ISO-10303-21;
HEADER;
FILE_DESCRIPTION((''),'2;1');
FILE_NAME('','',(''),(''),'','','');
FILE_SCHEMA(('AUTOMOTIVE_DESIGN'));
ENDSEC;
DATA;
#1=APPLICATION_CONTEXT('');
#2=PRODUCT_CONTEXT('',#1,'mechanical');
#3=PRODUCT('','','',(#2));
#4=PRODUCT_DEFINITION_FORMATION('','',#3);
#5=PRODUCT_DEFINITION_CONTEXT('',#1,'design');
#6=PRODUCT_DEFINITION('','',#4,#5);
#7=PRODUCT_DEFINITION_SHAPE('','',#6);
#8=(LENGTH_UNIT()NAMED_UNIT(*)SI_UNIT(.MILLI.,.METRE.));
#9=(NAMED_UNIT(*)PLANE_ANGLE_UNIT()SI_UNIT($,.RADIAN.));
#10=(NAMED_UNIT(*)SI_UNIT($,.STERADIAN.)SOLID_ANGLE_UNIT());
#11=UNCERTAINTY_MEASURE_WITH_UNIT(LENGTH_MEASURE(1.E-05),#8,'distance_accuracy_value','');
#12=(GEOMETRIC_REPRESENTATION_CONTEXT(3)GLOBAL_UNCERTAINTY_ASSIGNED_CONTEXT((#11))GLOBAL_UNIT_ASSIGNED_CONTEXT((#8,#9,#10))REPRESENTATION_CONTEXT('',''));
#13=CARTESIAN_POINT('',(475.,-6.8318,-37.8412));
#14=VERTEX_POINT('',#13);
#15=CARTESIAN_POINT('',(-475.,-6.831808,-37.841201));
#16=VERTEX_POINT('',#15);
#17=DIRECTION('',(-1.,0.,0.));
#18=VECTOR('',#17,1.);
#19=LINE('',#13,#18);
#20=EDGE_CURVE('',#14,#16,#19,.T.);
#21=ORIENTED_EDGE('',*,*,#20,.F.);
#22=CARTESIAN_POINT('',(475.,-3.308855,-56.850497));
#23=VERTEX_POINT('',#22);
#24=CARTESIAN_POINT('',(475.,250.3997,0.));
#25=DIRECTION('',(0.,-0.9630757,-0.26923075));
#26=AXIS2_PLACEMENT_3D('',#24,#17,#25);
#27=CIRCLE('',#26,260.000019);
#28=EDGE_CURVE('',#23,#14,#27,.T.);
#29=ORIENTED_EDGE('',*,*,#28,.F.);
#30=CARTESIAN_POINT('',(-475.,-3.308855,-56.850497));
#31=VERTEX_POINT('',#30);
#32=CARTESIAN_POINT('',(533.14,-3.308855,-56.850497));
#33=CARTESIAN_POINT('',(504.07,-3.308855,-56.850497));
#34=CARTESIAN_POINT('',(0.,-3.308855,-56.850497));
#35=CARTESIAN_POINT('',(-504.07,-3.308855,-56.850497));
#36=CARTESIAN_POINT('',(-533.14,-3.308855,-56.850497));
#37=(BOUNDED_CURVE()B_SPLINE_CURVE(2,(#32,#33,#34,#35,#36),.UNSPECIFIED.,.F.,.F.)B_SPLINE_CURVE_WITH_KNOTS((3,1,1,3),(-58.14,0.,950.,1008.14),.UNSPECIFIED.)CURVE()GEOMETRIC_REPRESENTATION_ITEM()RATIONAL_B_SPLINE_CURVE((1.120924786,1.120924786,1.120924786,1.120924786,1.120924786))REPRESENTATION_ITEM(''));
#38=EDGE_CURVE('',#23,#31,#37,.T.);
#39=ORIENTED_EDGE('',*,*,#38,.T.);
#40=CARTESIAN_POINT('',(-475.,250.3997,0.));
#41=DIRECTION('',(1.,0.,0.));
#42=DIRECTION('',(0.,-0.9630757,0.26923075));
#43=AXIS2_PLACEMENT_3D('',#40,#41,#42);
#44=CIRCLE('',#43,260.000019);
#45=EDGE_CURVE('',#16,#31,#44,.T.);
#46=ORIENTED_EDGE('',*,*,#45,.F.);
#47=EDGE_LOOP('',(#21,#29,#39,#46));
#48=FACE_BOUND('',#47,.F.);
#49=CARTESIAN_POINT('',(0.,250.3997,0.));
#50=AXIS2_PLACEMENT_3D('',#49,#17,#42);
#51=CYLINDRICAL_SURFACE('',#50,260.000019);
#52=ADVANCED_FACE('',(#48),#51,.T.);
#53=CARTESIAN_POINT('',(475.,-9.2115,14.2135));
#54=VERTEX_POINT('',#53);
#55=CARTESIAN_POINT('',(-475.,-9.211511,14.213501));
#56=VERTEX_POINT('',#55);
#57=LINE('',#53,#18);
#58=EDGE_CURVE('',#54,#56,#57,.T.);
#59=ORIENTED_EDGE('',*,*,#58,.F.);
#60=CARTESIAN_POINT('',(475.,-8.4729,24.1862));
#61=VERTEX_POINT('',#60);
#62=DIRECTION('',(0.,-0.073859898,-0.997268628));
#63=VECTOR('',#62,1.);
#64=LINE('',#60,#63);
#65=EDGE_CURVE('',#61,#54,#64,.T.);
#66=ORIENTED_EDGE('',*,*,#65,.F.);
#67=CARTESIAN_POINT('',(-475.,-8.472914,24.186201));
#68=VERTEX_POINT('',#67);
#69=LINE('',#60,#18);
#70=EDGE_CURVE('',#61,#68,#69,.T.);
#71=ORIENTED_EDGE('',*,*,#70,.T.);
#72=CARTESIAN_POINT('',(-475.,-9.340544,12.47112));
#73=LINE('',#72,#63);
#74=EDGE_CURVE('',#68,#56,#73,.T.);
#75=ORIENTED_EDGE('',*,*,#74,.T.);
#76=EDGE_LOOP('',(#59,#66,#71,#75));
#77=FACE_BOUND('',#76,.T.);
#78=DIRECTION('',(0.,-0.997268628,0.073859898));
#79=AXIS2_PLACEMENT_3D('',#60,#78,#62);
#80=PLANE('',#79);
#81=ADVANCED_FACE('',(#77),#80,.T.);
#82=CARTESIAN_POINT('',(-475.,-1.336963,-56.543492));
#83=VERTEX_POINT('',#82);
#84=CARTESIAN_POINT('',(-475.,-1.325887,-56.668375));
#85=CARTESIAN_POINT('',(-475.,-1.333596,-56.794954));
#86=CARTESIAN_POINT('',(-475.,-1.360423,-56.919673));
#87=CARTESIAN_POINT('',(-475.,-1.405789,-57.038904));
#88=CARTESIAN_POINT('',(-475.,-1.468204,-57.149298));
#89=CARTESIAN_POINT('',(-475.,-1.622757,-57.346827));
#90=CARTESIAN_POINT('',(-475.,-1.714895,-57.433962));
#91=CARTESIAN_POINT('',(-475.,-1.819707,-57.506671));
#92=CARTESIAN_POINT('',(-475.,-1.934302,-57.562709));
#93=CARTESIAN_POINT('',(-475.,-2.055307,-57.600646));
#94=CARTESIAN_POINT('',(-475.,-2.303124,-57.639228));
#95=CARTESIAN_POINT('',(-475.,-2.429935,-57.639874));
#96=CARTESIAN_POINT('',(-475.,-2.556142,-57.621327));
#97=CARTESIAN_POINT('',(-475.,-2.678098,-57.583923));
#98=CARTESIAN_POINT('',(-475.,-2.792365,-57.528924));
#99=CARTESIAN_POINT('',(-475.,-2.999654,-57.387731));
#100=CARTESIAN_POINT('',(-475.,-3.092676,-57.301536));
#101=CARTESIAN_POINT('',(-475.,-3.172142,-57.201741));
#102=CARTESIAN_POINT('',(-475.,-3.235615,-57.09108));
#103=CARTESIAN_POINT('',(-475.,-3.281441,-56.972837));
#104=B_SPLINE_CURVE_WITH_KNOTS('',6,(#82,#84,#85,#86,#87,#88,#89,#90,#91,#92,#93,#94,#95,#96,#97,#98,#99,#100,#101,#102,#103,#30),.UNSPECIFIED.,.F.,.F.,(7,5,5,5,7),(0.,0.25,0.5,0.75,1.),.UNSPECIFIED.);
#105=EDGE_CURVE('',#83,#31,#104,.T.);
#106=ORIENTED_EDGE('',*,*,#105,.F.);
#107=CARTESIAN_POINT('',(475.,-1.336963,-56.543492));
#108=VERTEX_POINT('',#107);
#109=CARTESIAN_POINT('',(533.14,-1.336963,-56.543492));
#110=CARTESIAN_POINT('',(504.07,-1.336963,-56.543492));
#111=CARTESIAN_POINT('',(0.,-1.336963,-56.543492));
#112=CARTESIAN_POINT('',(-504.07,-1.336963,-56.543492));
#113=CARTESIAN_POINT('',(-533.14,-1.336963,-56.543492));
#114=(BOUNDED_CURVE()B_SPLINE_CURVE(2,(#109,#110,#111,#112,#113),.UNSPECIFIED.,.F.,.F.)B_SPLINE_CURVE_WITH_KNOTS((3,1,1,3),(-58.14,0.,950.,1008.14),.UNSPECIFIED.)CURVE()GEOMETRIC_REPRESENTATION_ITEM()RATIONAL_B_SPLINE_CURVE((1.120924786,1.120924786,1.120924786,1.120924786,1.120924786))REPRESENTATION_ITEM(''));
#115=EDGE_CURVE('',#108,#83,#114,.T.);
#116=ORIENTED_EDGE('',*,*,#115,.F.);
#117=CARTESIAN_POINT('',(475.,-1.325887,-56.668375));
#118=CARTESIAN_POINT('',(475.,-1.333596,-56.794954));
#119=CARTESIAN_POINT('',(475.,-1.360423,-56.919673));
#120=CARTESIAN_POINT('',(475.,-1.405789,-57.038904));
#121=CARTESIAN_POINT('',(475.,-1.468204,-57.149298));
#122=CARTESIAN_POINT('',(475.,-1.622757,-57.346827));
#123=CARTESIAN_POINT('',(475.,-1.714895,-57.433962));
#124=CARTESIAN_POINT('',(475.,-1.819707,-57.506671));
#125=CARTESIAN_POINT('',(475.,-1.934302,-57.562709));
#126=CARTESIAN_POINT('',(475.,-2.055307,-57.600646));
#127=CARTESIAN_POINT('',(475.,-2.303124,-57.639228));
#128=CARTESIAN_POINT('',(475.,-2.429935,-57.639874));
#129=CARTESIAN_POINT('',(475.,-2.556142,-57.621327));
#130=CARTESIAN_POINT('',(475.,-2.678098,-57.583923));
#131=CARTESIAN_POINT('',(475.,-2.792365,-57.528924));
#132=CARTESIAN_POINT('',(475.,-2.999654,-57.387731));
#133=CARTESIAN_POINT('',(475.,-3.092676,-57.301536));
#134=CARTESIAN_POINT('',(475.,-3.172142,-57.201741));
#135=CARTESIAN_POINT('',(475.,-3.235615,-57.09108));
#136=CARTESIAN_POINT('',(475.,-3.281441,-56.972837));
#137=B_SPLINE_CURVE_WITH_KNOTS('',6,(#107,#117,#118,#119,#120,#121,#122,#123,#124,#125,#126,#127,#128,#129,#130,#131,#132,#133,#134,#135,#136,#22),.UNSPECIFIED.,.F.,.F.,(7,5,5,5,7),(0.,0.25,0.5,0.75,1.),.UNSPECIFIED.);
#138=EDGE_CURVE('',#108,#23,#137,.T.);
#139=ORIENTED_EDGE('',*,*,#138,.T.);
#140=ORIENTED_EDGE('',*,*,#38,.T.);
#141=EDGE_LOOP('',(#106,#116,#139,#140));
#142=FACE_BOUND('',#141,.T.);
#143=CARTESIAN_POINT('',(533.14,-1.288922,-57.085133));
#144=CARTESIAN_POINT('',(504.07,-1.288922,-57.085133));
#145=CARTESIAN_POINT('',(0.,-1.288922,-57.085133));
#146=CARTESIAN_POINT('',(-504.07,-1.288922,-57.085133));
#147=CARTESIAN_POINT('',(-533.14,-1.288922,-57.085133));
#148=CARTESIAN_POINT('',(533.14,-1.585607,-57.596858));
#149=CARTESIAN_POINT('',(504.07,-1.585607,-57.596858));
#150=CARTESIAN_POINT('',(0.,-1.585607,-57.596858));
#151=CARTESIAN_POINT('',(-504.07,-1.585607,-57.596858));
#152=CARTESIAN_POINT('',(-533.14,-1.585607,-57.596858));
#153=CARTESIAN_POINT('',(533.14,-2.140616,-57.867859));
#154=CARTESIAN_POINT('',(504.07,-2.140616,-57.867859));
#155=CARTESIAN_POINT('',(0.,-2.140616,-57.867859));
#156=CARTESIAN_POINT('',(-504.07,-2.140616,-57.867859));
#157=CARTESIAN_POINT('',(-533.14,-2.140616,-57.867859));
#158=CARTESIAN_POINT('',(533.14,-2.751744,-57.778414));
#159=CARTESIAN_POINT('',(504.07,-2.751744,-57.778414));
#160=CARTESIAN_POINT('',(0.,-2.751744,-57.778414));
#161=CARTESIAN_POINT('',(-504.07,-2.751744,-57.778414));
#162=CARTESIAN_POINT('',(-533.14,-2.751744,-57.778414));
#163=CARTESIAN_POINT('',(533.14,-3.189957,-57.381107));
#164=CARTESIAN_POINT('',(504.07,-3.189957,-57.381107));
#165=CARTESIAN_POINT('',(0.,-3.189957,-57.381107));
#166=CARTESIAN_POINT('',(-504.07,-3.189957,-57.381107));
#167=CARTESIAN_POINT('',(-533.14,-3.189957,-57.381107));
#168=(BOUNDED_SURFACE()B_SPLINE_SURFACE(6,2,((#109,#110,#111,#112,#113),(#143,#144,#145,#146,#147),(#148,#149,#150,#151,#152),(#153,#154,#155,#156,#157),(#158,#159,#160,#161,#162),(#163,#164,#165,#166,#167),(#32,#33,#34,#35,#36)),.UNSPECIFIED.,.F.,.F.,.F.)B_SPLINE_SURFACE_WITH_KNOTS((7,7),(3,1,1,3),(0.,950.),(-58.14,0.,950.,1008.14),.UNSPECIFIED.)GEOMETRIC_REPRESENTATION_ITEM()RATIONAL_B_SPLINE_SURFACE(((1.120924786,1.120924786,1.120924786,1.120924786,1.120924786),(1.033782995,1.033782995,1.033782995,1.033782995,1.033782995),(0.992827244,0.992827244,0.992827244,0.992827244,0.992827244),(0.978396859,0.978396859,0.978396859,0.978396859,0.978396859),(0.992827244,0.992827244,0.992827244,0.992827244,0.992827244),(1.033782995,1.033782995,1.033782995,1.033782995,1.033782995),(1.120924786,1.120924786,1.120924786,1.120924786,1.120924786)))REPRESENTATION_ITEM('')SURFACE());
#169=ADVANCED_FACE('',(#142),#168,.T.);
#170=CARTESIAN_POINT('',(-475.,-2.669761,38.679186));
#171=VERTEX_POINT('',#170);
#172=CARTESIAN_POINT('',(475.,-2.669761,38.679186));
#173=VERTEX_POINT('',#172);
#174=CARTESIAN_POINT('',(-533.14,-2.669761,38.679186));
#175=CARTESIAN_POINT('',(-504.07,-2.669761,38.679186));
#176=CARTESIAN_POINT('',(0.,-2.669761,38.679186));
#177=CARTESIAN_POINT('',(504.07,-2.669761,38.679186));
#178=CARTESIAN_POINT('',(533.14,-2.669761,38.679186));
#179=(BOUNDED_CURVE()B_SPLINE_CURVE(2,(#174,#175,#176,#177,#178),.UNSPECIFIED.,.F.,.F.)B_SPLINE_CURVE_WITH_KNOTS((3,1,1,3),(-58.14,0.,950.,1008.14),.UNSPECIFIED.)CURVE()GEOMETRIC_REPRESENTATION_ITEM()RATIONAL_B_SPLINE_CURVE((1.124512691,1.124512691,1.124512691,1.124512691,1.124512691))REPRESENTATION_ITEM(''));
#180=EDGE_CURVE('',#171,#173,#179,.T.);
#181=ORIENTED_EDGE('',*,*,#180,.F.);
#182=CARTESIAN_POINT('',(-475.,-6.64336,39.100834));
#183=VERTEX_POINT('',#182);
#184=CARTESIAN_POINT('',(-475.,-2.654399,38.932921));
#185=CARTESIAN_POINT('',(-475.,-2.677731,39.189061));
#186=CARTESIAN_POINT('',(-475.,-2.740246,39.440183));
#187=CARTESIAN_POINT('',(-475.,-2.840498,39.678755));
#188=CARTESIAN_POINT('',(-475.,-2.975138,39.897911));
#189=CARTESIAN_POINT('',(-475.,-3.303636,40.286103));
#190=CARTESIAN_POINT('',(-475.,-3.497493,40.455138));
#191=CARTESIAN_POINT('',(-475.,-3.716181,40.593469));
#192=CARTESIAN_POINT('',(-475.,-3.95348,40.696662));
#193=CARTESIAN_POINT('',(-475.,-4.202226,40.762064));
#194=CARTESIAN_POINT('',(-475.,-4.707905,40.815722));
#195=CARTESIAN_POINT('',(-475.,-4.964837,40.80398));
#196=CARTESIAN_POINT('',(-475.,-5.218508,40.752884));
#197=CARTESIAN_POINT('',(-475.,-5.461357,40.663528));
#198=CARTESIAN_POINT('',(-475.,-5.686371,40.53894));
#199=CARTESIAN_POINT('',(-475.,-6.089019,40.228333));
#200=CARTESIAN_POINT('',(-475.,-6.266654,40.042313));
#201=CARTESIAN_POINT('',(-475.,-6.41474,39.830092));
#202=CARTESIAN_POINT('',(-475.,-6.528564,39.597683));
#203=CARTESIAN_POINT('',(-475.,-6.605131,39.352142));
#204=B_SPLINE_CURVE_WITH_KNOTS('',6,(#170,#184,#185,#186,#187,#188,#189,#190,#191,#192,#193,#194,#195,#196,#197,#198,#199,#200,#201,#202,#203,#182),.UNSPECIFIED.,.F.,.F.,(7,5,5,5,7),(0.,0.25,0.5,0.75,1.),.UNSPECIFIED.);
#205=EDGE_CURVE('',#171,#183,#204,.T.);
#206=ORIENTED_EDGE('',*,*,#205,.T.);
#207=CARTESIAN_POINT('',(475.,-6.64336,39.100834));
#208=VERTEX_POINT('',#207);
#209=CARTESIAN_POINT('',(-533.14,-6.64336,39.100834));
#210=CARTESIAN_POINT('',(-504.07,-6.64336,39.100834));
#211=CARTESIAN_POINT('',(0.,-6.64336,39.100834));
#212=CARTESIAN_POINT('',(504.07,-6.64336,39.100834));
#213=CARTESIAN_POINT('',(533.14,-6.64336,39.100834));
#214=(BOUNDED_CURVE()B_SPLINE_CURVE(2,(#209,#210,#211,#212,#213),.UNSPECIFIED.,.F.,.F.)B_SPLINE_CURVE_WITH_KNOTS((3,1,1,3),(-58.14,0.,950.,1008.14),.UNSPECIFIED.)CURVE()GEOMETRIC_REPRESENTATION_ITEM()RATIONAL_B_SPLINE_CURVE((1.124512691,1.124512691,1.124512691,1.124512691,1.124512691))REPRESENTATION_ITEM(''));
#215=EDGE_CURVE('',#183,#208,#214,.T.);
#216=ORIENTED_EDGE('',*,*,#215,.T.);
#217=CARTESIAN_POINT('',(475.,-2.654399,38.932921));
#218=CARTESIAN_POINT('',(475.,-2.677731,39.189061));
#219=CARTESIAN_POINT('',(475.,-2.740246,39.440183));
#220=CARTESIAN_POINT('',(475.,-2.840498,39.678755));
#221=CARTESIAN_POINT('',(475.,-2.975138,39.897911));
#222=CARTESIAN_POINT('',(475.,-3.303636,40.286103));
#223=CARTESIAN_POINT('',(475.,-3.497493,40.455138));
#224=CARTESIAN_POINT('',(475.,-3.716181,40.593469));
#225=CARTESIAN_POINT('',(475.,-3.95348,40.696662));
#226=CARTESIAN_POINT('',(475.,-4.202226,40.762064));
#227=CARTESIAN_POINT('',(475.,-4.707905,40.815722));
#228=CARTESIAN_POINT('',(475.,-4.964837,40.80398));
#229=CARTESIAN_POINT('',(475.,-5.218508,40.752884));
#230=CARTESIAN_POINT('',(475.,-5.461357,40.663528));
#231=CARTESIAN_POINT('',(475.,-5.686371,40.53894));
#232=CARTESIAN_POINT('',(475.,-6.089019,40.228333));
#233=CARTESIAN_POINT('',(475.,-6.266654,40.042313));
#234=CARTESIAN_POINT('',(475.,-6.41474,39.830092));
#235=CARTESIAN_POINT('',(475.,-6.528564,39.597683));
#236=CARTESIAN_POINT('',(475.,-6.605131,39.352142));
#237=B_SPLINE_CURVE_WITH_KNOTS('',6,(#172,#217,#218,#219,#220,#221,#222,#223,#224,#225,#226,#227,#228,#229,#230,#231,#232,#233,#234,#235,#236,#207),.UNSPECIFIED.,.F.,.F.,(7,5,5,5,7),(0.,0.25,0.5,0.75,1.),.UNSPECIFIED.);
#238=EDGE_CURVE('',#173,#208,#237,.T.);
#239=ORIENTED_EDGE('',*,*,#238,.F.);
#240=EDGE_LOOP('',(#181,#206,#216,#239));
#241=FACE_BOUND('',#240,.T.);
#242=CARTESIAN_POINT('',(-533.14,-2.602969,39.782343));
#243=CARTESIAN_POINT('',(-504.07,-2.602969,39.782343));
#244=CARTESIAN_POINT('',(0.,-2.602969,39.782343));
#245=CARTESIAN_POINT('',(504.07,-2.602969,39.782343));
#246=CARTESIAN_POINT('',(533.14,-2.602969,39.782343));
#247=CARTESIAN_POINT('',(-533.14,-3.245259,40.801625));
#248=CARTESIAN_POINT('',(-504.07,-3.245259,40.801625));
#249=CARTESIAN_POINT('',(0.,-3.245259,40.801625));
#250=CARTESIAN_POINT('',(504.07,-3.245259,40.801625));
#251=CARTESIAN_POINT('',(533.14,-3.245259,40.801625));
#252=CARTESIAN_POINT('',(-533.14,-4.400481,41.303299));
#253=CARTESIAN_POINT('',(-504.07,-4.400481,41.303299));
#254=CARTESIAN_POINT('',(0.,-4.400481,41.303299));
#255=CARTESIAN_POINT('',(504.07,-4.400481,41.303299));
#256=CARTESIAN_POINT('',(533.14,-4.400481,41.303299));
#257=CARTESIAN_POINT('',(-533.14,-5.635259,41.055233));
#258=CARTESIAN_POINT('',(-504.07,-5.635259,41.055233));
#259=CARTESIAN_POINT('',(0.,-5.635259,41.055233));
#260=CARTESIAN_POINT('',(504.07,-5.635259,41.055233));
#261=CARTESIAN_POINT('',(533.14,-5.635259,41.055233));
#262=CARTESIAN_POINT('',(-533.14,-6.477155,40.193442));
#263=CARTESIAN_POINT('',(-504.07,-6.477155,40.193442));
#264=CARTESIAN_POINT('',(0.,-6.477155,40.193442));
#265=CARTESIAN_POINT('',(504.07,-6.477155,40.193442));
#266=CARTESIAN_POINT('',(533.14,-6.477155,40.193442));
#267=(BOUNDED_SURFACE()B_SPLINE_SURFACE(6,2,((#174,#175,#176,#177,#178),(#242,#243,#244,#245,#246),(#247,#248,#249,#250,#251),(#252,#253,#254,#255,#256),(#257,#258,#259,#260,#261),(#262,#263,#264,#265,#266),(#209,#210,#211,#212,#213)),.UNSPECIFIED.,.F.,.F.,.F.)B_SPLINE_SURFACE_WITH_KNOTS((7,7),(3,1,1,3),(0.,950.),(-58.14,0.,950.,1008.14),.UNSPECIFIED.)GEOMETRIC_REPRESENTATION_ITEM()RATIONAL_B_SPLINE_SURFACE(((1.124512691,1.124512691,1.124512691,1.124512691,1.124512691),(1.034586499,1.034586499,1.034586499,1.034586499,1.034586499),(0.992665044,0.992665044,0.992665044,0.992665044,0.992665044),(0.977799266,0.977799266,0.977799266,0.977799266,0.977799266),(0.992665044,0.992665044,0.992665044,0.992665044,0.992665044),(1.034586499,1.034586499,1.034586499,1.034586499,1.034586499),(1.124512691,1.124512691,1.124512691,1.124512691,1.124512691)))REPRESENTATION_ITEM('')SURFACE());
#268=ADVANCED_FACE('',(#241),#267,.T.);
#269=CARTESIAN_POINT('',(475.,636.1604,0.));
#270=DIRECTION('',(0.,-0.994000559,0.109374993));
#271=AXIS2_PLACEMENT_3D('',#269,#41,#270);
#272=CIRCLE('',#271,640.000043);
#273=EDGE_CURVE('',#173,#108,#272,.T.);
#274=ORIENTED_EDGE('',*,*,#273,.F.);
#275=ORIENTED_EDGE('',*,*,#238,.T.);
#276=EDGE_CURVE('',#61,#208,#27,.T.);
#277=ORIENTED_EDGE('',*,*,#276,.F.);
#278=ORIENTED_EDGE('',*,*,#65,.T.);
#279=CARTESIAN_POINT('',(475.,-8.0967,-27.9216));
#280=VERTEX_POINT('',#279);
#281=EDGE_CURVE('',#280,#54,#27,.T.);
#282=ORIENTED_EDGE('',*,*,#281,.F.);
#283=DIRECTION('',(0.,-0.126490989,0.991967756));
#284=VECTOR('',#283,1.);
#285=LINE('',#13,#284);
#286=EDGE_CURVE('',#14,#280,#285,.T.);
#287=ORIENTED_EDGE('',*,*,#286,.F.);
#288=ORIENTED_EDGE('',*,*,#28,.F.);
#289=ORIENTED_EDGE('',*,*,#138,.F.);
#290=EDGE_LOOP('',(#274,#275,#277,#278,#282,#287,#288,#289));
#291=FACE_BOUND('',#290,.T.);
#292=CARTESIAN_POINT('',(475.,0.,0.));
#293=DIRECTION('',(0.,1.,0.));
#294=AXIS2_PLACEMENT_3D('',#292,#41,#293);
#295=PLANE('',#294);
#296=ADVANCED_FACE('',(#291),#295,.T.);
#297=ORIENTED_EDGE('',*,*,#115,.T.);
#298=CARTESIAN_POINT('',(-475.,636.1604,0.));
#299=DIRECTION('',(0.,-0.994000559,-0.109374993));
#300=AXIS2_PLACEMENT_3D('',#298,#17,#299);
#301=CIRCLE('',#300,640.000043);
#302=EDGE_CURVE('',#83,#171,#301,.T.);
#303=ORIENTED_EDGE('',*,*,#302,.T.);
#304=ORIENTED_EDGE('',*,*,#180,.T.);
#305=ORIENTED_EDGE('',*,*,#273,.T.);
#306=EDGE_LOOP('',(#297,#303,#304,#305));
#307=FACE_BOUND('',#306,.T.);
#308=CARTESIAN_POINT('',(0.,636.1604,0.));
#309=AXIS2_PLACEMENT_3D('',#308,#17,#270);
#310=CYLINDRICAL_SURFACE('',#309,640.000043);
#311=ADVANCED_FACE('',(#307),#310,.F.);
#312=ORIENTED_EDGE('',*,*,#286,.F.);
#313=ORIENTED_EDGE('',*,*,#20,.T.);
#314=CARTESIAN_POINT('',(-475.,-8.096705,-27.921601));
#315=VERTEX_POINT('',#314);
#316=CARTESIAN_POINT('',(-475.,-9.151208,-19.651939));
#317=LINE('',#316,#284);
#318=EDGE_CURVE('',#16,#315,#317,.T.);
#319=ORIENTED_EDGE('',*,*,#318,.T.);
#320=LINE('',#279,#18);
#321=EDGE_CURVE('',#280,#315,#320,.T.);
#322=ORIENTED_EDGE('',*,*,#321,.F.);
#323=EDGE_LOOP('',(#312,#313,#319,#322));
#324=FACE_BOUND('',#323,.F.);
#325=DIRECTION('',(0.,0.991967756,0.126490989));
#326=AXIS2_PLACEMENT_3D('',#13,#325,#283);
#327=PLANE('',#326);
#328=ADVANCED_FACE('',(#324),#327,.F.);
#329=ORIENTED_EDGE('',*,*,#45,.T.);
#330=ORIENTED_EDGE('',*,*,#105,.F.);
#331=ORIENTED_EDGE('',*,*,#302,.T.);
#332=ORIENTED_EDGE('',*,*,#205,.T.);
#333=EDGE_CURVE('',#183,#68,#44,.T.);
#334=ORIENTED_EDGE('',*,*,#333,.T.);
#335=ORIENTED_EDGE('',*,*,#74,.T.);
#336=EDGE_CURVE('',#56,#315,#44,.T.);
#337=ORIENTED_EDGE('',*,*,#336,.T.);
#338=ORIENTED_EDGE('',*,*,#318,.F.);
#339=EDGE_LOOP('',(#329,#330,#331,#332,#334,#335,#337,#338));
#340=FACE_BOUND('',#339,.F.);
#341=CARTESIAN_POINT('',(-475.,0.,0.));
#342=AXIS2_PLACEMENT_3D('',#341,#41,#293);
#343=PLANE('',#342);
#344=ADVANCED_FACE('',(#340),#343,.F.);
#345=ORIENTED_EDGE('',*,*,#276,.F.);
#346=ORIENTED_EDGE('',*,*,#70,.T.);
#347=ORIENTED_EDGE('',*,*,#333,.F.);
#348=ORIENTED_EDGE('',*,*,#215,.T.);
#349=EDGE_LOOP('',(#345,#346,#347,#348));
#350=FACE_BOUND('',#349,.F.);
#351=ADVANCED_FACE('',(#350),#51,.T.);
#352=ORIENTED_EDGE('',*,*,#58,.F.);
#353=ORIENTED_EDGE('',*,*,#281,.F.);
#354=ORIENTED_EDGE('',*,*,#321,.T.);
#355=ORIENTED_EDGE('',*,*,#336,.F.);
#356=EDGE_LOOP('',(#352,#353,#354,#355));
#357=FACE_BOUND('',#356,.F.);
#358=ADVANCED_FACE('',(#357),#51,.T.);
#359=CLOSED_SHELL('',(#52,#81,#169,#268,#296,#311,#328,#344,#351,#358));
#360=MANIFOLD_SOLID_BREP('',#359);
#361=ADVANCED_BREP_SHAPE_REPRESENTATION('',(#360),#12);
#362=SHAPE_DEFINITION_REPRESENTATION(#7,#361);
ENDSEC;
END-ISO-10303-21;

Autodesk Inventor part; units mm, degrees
ref_plane "YZ Plane" through (0, 0, 0) normal (1, 0, 0) x (0, 1, 0)
ref_plane "XZ Plane" through (0, 0, 0) normal (0, 1, 0) x (-1, 0, 0)
ref_plane "XY Plane" through (0, 0, 0) normal (0, 0, 1) x (1, 0, 0)
sketch "スケッチ1" plane through (0, 0, 0) normal (1, 0, 0) x (0, 1, 0)
  line L0 (0, 70) -> (0, -70)
  arc A0 (0, 70) -> (0, -70) centre (636.1604, 0) ccw
  arc A1 (0, 70) -> (0, -70) centre (250.3997, 0) ccw
  line L1 (-138.7525, 0) -> (765.3125, 0) projected
  point P0 (0, 0)
  point P1 (0, 0)
  dimension "d2" = 140
  dimension "d3" = 640
  dimension "d4" = 260
extrude "押し出し1" add sketch "スケッチ1" along normal mid plane 950 contours A0 L1 A1 | A0 A1 L1
fillet "フィレット1" radius 2 1 edges at (0, 0, 70)
fillet "フィレット2" radius 1 1 edges at (0, 0, -70)
sketch "スケッチ2" plane through (475, 0, 0) normal (1, 0, 0) x (0, 0, -1)
  line L0 (-24.1862, -8.4729) -> (-14.2135, -9.2115)
  line L1 (37.8412, -6.8318) -> (27.9216, -8.0967)
  arc A0 (-39.1008, -6.6434) -> (56.8505, -3.3089) centre (0, 250.3997) ccw projected
  point P0 (0, 0)
  dimension "d7" = 10
  dimension "d8" = 10
extrude "押し出し2" cut sketch "スケッチ2" against normal through all
properties part number "element_2" material "CFRP"
